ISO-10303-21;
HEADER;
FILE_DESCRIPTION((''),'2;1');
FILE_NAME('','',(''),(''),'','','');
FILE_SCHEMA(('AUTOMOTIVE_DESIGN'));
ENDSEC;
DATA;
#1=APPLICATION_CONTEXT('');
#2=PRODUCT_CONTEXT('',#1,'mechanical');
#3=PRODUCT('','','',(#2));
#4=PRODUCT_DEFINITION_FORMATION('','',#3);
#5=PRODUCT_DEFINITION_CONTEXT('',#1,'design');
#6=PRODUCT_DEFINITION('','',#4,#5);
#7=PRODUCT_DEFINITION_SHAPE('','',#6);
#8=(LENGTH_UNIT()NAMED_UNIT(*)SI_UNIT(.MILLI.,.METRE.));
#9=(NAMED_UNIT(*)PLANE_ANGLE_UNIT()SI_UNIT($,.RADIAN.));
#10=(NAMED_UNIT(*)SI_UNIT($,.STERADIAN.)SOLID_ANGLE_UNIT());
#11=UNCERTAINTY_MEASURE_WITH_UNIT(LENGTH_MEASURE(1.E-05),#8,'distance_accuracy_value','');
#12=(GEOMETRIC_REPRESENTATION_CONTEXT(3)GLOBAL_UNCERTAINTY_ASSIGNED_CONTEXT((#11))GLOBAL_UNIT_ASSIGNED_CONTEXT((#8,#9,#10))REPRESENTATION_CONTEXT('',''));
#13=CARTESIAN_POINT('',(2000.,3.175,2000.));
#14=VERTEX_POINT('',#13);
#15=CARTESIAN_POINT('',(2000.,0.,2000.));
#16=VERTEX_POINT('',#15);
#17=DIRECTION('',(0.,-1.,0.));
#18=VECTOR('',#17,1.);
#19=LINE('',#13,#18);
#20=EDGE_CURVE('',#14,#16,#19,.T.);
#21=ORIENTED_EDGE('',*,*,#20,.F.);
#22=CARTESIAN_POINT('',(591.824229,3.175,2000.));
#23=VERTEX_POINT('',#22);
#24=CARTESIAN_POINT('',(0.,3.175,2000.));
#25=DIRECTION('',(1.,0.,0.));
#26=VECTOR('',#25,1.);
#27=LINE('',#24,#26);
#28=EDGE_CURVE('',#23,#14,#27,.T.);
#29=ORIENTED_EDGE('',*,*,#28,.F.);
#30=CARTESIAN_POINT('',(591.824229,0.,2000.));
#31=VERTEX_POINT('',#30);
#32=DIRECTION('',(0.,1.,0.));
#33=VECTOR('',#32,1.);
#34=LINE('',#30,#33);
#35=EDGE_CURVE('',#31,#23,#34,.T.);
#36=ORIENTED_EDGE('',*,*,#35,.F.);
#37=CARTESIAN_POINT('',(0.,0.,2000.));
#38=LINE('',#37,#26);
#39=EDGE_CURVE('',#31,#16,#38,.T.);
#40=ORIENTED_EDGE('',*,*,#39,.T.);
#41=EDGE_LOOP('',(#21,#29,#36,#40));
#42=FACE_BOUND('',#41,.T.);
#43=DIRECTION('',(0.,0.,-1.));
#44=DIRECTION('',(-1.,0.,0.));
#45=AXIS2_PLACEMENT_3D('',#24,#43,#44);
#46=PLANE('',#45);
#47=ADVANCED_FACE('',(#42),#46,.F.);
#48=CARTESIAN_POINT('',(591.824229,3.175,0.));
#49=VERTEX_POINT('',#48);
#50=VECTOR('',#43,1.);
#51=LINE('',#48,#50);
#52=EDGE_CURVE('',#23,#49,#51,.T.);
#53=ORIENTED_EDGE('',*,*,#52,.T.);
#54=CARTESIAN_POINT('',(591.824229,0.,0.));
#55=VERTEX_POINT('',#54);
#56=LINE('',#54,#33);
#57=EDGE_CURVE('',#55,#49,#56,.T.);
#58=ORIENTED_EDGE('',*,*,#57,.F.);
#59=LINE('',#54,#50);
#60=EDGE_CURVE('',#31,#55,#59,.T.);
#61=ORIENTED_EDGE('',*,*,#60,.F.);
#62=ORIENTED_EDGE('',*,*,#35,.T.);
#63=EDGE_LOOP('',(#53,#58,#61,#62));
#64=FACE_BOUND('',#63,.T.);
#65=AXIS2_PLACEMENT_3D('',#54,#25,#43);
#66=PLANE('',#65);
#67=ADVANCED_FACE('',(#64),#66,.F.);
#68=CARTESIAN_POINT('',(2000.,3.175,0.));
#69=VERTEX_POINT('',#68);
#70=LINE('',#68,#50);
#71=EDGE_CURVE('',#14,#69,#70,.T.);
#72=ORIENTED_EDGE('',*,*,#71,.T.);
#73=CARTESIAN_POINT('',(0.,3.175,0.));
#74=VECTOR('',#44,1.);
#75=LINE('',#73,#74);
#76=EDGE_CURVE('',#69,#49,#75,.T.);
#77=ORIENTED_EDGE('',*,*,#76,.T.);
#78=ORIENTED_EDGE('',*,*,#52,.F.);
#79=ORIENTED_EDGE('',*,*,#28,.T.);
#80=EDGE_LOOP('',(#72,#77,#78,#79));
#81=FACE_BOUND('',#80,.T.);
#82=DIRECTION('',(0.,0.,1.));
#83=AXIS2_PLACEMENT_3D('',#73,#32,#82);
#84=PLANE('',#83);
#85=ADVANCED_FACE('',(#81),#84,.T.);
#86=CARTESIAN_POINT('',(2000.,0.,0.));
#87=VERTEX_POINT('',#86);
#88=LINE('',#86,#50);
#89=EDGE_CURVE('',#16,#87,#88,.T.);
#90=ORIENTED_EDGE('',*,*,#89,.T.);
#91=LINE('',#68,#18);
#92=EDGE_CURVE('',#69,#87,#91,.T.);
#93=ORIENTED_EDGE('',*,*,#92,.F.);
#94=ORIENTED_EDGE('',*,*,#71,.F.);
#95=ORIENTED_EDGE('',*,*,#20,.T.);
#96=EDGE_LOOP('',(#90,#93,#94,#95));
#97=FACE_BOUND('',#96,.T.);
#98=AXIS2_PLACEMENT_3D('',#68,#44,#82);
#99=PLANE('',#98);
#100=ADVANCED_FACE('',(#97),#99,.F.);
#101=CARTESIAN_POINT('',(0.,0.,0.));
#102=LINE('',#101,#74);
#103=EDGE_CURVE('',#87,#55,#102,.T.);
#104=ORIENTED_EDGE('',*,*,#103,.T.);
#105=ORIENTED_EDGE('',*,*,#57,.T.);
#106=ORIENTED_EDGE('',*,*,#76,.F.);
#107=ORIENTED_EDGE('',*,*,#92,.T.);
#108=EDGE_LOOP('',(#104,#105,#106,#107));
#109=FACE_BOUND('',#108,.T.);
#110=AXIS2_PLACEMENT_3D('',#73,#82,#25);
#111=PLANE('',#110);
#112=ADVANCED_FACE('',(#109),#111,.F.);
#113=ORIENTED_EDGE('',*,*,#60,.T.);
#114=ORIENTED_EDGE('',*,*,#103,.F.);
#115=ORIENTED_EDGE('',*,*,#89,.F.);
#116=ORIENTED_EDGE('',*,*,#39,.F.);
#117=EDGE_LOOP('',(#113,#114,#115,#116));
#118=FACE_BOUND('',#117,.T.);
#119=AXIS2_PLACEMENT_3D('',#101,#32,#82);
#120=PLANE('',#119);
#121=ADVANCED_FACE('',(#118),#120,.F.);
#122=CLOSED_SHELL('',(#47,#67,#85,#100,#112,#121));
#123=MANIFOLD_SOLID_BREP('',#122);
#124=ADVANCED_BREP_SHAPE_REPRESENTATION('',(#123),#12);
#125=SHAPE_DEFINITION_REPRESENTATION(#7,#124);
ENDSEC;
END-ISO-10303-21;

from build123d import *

# Parameters (mm, degrees)
SKETCH1_W           = 2000
SKETCH1_H           = 2000
BOSS_EXTRUDE1_DEPTH = 3.175
SKETCH4_W           = 591.824229309
SKETCH4_H           = 2000
CUT_EXTRUDE1_DEPTH  = 2829.428906765


with BuildPart() as part:
    # Sketch1 → Boss-Extrude1 (new body)
    with BuildSketch(Plane(origin=(0, 0, 0), x_dir=(1, 0, 0), z_dir=(0, 1, 0))):
        with Locations((1000, -1000)):
            Rectangle(SKETCH1_W, SKETCH1_H)
    extrude(amount=BOSS_EXTRUDE1_DEPTH)

    # Sketch4 → Cut-Extrude1 (cut, through all)
    with BuildSketch(Plane(origin=(0, 3.175, 0), x_dir=(1, 0, 0), z_dir=(0, 1, 0))):
        with Locations((295.912114655, -1000)):
            Rectangle(SKETCH4_W, SKETCH4_H)
    extrude(amount=-CUT_EXTRUDE1_DEPTH, mode=Mode.SUBTRACT)


solid = part.part
